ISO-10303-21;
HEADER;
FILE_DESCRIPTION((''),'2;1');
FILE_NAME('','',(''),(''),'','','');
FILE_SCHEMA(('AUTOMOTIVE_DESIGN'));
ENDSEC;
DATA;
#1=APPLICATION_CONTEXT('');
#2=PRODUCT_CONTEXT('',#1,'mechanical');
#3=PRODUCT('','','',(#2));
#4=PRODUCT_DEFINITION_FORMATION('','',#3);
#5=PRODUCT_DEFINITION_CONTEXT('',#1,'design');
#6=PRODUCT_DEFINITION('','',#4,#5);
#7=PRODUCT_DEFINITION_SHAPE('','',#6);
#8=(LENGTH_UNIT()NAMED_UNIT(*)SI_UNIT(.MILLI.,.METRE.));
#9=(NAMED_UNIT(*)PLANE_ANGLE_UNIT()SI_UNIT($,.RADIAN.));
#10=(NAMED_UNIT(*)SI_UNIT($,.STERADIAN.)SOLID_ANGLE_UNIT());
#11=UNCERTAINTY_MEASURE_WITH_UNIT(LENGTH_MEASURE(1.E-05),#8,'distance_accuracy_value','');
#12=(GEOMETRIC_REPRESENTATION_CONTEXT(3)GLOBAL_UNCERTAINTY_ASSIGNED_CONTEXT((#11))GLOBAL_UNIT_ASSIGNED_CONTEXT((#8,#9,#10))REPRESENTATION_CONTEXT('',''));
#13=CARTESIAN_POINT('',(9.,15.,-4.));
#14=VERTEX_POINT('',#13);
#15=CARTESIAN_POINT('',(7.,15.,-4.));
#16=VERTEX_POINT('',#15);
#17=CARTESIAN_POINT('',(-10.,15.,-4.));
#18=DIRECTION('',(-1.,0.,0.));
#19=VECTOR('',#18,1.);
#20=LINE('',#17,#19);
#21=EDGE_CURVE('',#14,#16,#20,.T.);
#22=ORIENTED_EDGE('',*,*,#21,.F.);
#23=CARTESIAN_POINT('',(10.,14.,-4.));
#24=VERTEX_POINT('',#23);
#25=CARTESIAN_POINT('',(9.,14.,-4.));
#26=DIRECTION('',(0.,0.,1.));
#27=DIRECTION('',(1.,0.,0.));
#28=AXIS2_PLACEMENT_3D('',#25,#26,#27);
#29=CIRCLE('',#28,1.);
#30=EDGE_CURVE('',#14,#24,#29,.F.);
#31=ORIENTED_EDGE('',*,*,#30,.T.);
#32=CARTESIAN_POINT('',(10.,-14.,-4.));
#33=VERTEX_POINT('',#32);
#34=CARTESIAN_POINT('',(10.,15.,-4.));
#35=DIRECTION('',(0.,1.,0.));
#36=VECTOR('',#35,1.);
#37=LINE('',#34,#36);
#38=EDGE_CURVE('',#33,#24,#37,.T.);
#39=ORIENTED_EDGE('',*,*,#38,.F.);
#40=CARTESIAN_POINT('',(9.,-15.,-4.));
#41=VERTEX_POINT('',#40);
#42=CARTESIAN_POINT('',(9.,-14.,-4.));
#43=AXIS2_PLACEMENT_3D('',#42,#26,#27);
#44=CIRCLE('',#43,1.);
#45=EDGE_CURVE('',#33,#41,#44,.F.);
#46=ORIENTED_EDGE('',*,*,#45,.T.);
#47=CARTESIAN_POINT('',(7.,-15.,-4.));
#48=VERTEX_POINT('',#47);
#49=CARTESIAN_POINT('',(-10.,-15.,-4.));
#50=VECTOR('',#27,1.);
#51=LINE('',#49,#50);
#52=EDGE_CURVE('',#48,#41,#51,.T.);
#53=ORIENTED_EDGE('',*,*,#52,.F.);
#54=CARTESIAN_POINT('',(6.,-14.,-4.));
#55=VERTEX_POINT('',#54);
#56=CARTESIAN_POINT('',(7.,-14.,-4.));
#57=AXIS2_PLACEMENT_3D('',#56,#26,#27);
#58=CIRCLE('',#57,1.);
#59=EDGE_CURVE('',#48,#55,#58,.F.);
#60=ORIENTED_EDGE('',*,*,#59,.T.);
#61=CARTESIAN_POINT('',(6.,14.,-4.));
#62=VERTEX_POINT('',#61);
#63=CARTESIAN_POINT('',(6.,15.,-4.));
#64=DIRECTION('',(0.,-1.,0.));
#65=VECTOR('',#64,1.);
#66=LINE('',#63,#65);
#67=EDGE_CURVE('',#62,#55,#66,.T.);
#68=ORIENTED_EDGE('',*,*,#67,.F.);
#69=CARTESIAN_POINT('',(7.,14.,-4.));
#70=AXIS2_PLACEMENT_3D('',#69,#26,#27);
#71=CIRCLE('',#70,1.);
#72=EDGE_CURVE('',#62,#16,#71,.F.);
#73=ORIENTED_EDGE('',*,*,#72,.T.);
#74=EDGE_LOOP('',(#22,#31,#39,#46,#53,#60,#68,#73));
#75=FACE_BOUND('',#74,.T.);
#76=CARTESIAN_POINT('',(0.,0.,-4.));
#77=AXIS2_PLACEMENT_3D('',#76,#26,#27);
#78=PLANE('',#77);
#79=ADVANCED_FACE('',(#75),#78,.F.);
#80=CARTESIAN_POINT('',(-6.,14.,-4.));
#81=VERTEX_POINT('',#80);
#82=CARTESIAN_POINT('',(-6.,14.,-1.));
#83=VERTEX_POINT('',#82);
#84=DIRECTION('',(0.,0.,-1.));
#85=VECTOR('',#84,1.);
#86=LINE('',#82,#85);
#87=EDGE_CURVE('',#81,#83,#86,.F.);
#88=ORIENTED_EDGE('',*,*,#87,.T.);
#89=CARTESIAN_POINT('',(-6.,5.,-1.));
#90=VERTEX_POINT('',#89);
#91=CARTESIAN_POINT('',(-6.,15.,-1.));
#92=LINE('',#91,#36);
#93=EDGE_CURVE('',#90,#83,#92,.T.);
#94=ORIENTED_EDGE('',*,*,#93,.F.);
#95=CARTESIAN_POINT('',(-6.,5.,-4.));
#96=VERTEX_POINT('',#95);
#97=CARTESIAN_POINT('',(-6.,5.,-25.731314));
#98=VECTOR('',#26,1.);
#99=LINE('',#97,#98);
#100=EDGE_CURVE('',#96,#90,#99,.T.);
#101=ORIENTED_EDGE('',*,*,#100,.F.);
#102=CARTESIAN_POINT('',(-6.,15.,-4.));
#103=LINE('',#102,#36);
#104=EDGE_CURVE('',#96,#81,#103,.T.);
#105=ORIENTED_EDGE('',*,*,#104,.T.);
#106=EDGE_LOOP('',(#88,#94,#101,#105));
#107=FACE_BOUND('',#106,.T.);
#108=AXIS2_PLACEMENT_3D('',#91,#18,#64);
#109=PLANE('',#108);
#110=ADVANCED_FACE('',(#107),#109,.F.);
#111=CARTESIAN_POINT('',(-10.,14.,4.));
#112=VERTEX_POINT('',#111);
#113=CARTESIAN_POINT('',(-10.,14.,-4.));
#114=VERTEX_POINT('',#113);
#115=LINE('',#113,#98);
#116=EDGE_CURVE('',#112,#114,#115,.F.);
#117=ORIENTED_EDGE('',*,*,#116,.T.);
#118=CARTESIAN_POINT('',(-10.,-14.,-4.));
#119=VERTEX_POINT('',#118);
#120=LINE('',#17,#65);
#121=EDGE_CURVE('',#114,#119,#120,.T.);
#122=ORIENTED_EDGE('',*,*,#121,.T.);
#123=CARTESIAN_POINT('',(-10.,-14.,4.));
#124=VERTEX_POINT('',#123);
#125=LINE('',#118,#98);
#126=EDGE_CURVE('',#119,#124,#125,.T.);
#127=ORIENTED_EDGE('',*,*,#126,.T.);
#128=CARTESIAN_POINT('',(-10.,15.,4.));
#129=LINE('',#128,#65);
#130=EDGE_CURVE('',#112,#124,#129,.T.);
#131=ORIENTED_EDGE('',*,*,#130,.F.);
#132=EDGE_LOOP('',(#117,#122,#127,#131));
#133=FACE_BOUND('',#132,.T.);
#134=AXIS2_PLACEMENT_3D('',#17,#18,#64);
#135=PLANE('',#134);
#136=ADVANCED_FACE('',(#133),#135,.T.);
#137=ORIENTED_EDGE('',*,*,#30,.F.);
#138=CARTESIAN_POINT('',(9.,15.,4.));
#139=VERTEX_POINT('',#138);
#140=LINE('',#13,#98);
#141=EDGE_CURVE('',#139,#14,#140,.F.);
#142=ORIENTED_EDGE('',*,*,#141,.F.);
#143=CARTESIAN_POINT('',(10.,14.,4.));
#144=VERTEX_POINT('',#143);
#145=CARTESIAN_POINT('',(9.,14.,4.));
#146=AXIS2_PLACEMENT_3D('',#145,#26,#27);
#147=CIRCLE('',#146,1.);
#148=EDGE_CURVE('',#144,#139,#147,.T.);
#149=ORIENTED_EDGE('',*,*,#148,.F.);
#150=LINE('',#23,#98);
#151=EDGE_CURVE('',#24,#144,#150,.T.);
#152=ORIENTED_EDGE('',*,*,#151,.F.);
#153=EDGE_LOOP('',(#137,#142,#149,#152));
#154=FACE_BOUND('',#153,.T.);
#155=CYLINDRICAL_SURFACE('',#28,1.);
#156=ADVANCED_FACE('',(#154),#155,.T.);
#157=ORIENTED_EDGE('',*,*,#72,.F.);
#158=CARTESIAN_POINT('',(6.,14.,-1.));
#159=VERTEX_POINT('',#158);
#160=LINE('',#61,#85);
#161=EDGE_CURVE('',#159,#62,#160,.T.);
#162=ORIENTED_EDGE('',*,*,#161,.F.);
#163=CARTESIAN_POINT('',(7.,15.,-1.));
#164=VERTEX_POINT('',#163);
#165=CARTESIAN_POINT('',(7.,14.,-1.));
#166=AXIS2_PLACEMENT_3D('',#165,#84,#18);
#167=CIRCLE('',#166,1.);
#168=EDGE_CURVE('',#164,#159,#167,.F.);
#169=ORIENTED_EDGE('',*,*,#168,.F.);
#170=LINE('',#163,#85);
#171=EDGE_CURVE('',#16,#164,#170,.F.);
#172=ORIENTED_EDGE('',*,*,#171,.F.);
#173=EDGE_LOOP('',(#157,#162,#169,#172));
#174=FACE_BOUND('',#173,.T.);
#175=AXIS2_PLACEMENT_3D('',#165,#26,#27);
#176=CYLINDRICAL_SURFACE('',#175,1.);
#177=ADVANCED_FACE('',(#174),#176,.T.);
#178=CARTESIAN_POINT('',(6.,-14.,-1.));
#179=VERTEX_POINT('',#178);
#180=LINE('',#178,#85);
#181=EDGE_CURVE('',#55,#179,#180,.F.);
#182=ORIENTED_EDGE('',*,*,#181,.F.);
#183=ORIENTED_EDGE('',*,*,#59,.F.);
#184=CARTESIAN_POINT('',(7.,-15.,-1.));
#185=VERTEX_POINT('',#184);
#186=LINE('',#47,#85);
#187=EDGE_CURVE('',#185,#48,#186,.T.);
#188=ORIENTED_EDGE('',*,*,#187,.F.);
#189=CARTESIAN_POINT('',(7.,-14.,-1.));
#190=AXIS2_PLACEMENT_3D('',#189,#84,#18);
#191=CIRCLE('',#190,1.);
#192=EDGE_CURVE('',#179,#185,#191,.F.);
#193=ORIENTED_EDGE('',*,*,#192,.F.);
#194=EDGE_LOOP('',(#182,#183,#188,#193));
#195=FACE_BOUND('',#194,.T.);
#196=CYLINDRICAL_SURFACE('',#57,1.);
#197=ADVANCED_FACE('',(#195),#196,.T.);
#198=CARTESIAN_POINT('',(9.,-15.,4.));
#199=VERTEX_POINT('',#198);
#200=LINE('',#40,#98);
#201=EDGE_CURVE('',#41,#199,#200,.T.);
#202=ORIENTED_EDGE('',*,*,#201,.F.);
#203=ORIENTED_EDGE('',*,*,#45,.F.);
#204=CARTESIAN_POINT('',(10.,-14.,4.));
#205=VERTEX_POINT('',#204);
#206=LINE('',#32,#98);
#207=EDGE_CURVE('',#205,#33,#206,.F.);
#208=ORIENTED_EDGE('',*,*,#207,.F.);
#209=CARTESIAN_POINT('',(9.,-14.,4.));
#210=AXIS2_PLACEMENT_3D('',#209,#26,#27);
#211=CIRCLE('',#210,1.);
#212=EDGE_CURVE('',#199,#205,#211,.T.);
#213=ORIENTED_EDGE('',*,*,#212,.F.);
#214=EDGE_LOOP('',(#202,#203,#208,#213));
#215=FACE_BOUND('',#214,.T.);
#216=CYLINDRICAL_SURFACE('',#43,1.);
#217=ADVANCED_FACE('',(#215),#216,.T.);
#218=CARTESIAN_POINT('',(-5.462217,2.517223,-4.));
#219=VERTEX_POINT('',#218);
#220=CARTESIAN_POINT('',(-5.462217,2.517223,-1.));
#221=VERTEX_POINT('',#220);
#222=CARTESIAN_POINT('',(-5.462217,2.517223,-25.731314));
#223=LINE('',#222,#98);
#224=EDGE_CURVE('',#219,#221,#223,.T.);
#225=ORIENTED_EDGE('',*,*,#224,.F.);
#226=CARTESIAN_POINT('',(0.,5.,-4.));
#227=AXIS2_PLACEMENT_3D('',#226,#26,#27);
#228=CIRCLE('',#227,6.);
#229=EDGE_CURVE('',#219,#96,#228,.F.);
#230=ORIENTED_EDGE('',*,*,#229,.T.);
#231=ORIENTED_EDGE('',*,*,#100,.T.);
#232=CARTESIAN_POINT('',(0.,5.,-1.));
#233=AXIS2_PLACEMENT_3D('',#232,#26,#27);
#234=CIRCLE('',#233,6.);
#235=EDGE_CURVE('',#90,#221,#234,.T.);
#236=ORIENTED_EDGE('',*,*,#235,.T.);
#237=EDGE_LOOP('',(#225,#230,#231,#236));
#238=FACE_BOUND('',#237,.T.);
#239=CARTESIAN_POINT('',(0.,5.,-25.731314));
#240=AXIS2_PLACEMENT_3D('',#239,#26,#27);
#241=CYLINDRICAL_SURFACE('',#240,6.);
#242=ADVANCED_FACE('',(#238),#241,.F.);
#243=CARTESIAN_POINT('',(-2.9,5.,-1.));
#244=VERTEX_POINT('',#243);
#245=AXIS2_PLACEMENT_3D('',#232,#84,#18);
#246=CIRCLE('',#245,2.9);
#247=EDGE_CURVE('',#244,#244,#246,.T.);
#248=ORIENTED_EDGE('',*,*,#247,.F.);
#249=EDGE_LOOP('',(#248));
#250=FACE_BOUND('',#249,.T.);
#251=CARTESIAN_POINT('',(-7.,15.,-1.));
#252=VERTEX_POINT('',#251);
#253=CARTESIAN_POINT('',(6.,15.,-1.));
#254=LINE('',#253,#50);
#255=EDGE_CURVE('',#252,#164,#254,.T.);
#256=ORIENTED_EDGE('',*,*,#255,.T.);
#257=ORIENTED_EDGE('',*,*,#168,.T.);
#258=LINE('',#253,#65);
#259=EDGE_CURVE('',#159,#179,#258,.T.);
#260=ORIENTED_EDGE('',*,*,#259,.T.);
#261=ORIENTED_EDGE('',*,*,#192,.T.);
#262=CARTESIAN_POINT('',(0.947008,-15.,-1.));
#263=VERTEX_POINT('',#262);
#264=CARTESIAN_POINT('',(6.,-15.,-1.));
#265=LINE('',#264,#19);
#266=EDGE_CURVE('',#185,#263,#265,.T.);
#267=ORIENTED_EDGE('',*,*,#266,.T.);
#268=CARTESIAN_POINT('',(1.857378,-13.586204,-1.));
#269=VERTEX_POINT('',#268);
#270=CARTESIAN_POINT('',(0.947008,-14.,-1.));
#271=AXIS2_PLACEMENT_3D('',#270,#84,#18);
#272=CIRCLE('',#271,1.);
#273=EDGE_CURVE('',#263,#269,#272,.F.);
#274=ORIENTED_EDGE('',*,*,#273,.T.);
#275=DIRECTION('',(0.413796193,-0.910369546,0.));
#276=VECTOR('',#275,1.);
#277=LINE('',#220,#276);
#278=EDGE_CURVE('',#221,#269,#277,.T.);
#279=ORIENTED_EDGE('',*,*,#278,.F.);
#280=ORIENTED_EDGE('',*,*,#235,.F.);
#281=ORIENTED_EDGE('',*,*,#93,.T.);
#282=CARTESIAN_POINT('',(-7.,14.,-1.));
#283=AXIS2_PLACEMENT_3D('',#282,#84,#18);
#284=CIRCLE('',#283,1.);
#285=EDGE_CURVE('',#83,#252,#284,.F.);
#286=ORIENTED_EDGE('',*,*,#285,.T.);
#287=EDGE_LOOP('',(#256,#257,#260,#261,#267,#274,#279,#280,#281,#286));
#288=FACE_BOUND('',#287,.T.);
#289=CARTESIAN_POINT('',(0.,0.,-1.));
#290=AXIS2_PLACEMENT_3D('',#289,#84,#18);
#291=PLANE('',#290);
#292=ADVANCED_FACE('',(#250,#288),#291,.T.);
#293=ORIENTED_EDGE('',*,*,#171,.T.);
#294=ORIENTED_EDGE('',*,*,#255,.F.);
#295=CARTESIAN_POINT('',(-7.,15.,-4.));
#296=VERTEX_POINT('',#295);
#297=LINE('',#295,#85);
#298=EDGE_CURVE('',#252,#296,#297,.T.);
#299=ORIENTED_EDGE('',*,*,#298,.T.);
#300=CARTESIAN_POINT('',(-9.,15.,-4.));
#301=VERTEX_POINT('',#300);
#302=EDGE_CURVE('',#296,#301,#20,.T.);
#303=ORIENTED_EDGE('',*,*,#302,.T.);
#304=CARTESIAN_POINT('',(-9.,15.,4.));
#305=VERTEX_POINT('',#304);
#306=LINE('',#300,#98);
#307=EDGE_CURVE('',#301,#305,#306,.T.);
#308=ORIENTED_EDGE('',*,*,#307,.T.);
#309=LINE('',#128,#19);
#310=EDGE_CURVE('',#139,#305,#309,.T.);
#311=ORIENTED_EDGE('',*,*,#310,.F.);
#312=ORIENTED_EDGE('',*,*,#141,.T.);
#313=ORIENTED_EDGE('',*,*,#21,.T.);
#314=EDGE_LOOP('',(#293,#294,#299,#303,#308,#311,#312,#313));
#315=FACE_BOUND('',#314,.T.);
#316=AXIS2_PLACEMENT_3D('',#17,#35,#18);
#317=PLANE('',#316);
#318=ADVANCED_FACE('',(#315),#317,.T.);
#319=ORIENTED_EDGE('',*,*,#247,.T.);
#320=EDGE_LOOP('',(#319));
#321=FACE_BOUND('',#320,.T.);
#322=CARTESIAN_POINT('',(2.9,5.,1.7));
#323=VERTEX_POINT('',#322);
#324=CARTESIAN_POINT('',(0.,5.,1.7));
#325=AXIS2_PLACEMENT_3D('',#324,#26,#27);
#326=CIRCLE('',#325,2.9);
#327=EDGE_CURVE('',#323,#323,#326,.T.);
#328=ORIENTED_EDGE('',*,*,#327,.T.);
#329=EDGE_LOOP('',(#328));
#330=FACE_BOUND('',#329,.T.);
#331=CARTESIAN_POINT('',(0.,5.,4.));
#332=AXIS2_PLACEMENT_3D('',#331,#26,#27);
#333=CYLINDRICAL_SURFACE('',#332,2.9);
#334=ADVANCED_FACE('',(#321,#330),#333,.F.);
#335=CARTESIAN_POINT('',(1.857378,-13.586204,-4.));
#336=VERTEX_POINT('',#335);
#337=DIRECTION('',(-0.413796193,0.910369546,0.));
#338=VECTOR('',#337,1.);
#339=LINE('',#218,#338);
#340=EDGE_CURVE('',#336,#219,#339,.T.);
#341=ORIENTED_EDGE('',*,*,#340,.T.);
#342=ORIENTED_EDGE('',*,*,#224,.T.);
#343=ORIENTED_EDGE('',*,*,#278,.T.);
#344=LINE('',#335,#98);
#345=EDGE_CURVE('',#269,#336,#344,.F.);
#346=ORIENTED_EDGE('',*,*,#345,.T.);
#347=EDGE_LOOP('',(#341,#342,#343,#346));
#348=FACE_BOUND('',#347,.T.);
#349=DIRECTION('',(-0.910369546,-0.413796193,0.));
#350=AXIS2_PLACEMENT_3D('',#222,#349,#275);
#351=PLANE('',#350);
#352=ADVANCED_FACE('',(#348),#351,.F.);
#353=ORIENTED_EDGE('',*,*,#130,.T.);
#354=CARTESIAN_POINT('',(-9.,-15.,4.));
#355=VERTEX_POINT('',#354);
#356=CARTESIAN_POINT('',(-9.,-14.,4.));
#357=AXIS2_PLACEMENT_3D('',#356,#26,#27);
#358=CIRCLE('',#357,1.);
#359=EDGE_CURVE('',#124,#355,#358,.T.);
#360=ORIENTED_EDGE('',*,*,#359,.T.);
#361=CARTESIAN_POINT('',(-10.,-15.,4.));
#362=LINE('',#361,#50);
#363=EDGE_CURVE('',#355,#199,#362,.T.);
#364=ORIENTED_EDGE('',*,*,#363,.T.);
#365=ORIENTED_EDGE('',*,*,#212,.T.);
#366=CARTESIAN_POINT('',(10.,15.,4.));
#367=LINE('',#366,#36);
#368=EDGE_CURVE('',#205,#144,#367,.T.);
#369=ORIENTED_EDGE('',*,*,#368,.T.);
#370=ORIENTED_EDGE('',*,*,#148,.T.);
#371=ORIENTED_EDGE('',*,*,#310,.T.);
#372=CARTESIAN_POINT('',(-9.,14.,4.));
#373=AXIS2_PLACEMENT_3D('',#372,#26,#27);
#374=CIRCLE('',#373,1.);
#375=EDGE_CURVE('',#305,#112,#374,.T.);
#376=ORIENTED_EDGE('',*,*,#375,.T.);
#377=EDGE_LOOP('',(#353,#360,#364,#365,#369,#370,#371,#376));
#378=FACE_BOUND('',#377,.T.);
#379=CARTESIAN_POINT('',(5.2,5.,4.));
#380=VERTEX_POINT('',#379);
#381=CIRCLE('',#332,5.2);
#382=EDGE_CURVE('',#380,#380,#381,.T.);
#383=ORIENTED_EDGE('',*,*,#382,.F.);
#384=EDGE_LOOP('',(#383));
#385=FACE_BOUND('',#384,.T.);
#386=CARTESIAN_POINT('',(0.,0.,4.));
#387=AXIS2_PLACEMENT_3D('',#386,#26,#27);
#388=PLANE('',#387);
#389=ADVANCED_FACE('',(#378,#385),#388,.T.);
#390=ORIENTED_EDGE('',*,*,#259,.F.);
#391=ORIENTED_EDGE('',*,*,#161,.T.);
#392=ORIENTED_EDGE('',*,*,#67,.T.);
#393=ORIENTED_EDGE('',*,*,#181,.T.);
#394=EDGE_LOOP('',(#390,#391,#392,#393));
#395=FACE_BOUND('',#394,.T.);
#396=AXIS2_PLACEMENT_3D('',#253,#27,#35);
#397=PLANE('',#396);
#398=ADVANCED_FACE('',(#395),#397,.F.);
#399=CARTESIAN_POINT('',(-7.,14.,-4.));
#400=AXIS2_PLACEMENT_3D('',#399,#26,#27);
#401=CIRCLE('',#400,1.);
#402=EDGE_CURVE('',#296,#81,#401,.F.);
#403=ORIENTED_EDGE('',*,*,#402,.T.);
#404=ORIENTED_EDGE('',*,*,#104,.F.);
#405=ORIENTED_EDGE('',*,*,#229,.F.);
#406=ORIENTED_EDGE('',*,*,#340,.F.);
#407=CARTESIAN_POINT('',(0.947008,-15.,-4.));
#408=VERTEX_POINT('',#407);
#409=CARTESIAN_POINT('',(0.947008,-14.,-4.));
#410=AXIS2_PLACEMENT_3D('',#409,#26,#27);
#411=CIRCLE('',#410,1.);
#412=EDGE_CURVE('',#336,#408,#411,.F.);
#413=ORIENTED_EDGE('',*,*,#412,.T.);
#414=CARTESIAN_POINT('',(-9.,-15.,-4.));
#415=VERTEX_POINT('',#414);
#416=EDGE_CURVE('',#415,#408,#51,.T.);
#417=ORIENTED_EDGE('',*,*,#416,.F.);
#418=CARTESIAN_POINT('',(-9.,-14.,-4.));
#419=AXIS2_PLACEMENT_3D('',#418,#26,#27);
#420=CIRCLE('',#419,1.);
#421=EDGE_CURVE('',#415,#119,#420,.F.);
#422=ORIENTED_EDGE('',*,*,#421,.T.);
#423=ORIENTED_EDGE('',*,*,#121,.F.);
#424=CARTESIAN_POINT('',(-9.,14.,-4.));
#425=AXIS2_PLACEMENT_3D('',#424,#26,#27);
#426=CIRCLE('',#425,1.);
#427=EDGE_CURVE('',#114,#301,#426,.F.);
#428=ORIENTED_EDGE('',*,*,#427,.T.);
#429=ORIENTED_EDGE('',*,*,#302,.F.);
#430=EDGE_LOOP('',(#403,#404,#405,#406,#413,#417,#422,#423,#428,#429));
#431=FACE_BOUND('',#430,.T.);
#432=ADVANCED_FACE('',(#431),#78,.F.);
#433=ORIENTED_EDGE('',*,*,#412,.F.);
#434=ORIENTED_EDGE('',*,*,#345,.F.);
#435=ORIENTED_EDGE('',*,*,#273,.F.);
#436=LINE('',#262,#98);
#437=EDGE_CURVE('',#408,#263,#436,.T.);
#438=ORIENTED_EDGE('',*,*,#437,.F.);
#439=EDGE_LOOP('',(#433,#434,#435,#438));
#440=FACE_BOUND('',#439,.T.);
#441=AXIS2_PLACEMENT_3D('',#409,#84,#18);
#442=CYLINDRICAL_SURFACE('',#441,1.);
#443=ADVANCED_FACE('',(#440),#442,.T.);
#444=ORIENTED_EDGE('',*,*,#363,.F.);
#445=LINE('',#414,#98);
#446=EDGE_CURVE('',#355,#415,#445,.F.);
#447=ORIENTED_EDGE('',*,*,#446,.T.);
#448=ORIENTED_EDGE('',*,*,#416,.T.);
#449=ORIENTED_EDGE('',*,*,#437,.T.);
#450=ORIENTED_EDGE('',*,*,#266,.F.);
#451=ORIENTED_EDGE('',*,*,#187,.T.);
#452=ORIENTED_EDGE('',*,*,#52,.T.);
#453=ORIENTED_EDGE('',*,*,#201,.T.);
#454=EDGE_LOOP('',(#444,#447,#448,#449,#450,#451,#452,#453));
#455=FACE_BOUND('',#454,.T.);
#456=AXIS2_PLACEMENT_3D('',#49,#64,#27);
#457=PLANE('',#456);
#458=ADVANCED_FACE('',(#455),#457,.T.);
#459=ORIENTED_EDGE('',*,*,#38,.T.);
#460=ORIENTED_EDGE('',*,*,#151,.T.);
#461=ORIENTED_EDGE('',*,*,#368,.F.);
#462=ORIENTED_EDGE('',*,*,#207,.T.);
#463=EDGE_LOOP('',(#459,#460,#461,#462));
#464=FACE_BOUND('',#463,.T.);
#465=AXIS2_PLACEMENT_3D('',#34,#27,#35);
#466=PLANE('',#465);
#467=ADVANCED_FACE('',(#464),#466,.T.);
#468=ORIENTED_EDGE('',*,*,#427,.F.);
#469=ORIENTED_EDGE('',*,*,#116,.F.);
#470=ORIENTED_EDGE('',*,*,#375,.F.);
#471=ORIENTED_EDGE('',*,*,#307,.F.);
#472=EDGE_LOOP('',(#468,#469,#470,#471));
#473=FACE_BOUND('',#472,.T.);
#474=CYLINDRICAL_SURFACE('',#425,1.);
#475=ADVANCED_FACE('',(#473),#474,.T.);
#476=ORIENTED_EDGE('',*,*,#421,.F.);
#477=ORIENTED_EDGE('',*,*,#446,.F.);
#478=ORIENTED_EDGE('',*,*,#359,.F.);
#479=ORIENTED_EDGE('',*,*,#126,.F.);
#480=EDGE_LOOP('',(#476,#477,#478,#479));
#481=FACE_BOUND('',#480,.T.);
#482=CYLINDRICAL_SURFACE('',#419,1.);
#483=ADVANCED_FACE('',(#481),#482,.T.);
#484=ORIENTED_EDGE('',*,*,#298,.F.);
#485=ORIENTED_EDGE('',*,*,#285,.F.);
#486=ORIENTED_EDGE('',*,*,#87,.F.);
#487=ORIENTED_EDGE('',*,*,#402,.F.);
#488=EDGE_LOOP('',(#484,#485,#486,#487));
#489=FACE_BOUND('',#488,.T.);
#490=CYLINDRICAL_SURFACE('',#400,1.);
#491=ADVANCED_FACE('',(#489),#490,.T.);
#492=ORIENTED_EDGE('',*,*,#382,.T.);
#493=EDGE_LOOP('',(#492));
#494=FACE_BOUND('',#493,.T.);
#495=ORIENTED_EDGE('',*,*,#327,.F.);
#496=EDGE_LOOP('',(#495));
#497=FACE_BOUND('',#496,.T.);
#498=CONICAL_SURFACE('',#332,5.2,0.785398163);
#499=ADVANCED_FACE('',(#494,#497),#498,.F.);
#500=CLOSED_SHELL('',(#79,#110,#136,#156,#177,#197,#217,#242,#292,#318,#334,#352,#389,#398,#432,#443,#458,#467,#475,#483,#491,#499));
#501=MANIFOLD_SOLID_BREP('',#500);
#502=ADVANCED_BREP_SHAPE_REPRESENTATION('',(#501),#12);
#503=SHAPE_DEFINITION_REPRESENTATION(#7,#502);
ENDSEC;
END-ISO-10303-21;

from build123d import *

# Parameters (mm, degrees)
SKETCH3_W                                       = 20
SKETCH3_H                                       = 30
BOSS_EXTRUDE1_DEPTH                             = 4
SKETCH4_W                                       = 12
SKETCH4_H                                       = 30
CUT_EXTRUDE1_DEPTH                              = 3
CSK_FOR_M5_FLAT_HEAD_MACHINE_SCREW1_D           = 5.8
CSK_FOR_M5_FLAT_HEAD_MACHINE_SCREW1_CSINK_D     = 10.4
CSK_FOR_M5_FLAT_HEAD_MACHINE_SCREW1_CSINK_ANGLE = 90
BOSS_EXTRUDE2_DEPTH                             = 3
FILLET1_R                                       = 1


with BuildPart() as part:
    # Sketch3 → Boss-Extrude1 (new body, symmetric)
    with BuildSketch(Plane.XY):
        Rectangle(SKETCH3_W, SKETCH3_H)
    extrude(amount=BOSS_EXTRUDE1_DEPTH, both=True)

    # Sketch4 → Cut-Extrude1 (cut)
    with BuildSketch(Plane(origin=(0, 0, -4), x_dir=(-1, 0, 0), z_dir=(0, 0, -1))):
        Rectangle(SKETCH4_W, SKETCH4_H)
    extrude(amount=-CUT_EXTRUDE1_DEPTH, mode=Mode.SUBTRACT)

    # CSK for M5 Flat Head Machine Screw1 (through all)
    with Locations(Plane(origin=(0, 5, 4), x_dir=(1, 0, 0), z_dir=(0, 0, 1))):
        with Locations((0, 0)):
            CounterSinkHole(CSK_FOR_M5_FLAT_HEAD_MACHINE_SCREW1_D / 2, CSK_FOR_M5_FLAT_HEAD_MACHINE_SCREW1_CSINK_D / 2, counter_sink_angle=CSK_FOR_M5_FLAT_HEAD_MACHINE_SCREW1_CSINK_ANGLE)

    # Sketch7 → Boss-Extrude2 (add)
    with BuildSketch(Plane(origin=(0, 0, -1), x_dir=(-1, 0, 0), z_dir=(0, 0, -1))):
        with BuildLine():
            Line((5.462217277, 2.51722284), (-2.5, -15))
            Line((-2.5, -15), (6, -15))
            Line((6, -15), (6, 5))
            ThreePointArc((6, 5), (5.864013287, 3.729823567), (5.462217277, 2.51722284))
        make_face()
    extrude(amount=BOSS_EXTRUDE2_DEPTH)

    # Fillet1
    fillet1_edges = [part.edges().sort_by_distance(p)[0] for p in [
        (6, -15, -2.5),
        (6, 15, -2.5),
        (-6, 15, -2.5),
        (2.5, -15, -2.5),
        (-10, 15, 0),
        (10, 15, 0),
        (10, -15, 0),
        (-10, -15, 0),
    ]]
    fillet(fillet1_edges, radius=FILLET1_R)


solid = part.part
